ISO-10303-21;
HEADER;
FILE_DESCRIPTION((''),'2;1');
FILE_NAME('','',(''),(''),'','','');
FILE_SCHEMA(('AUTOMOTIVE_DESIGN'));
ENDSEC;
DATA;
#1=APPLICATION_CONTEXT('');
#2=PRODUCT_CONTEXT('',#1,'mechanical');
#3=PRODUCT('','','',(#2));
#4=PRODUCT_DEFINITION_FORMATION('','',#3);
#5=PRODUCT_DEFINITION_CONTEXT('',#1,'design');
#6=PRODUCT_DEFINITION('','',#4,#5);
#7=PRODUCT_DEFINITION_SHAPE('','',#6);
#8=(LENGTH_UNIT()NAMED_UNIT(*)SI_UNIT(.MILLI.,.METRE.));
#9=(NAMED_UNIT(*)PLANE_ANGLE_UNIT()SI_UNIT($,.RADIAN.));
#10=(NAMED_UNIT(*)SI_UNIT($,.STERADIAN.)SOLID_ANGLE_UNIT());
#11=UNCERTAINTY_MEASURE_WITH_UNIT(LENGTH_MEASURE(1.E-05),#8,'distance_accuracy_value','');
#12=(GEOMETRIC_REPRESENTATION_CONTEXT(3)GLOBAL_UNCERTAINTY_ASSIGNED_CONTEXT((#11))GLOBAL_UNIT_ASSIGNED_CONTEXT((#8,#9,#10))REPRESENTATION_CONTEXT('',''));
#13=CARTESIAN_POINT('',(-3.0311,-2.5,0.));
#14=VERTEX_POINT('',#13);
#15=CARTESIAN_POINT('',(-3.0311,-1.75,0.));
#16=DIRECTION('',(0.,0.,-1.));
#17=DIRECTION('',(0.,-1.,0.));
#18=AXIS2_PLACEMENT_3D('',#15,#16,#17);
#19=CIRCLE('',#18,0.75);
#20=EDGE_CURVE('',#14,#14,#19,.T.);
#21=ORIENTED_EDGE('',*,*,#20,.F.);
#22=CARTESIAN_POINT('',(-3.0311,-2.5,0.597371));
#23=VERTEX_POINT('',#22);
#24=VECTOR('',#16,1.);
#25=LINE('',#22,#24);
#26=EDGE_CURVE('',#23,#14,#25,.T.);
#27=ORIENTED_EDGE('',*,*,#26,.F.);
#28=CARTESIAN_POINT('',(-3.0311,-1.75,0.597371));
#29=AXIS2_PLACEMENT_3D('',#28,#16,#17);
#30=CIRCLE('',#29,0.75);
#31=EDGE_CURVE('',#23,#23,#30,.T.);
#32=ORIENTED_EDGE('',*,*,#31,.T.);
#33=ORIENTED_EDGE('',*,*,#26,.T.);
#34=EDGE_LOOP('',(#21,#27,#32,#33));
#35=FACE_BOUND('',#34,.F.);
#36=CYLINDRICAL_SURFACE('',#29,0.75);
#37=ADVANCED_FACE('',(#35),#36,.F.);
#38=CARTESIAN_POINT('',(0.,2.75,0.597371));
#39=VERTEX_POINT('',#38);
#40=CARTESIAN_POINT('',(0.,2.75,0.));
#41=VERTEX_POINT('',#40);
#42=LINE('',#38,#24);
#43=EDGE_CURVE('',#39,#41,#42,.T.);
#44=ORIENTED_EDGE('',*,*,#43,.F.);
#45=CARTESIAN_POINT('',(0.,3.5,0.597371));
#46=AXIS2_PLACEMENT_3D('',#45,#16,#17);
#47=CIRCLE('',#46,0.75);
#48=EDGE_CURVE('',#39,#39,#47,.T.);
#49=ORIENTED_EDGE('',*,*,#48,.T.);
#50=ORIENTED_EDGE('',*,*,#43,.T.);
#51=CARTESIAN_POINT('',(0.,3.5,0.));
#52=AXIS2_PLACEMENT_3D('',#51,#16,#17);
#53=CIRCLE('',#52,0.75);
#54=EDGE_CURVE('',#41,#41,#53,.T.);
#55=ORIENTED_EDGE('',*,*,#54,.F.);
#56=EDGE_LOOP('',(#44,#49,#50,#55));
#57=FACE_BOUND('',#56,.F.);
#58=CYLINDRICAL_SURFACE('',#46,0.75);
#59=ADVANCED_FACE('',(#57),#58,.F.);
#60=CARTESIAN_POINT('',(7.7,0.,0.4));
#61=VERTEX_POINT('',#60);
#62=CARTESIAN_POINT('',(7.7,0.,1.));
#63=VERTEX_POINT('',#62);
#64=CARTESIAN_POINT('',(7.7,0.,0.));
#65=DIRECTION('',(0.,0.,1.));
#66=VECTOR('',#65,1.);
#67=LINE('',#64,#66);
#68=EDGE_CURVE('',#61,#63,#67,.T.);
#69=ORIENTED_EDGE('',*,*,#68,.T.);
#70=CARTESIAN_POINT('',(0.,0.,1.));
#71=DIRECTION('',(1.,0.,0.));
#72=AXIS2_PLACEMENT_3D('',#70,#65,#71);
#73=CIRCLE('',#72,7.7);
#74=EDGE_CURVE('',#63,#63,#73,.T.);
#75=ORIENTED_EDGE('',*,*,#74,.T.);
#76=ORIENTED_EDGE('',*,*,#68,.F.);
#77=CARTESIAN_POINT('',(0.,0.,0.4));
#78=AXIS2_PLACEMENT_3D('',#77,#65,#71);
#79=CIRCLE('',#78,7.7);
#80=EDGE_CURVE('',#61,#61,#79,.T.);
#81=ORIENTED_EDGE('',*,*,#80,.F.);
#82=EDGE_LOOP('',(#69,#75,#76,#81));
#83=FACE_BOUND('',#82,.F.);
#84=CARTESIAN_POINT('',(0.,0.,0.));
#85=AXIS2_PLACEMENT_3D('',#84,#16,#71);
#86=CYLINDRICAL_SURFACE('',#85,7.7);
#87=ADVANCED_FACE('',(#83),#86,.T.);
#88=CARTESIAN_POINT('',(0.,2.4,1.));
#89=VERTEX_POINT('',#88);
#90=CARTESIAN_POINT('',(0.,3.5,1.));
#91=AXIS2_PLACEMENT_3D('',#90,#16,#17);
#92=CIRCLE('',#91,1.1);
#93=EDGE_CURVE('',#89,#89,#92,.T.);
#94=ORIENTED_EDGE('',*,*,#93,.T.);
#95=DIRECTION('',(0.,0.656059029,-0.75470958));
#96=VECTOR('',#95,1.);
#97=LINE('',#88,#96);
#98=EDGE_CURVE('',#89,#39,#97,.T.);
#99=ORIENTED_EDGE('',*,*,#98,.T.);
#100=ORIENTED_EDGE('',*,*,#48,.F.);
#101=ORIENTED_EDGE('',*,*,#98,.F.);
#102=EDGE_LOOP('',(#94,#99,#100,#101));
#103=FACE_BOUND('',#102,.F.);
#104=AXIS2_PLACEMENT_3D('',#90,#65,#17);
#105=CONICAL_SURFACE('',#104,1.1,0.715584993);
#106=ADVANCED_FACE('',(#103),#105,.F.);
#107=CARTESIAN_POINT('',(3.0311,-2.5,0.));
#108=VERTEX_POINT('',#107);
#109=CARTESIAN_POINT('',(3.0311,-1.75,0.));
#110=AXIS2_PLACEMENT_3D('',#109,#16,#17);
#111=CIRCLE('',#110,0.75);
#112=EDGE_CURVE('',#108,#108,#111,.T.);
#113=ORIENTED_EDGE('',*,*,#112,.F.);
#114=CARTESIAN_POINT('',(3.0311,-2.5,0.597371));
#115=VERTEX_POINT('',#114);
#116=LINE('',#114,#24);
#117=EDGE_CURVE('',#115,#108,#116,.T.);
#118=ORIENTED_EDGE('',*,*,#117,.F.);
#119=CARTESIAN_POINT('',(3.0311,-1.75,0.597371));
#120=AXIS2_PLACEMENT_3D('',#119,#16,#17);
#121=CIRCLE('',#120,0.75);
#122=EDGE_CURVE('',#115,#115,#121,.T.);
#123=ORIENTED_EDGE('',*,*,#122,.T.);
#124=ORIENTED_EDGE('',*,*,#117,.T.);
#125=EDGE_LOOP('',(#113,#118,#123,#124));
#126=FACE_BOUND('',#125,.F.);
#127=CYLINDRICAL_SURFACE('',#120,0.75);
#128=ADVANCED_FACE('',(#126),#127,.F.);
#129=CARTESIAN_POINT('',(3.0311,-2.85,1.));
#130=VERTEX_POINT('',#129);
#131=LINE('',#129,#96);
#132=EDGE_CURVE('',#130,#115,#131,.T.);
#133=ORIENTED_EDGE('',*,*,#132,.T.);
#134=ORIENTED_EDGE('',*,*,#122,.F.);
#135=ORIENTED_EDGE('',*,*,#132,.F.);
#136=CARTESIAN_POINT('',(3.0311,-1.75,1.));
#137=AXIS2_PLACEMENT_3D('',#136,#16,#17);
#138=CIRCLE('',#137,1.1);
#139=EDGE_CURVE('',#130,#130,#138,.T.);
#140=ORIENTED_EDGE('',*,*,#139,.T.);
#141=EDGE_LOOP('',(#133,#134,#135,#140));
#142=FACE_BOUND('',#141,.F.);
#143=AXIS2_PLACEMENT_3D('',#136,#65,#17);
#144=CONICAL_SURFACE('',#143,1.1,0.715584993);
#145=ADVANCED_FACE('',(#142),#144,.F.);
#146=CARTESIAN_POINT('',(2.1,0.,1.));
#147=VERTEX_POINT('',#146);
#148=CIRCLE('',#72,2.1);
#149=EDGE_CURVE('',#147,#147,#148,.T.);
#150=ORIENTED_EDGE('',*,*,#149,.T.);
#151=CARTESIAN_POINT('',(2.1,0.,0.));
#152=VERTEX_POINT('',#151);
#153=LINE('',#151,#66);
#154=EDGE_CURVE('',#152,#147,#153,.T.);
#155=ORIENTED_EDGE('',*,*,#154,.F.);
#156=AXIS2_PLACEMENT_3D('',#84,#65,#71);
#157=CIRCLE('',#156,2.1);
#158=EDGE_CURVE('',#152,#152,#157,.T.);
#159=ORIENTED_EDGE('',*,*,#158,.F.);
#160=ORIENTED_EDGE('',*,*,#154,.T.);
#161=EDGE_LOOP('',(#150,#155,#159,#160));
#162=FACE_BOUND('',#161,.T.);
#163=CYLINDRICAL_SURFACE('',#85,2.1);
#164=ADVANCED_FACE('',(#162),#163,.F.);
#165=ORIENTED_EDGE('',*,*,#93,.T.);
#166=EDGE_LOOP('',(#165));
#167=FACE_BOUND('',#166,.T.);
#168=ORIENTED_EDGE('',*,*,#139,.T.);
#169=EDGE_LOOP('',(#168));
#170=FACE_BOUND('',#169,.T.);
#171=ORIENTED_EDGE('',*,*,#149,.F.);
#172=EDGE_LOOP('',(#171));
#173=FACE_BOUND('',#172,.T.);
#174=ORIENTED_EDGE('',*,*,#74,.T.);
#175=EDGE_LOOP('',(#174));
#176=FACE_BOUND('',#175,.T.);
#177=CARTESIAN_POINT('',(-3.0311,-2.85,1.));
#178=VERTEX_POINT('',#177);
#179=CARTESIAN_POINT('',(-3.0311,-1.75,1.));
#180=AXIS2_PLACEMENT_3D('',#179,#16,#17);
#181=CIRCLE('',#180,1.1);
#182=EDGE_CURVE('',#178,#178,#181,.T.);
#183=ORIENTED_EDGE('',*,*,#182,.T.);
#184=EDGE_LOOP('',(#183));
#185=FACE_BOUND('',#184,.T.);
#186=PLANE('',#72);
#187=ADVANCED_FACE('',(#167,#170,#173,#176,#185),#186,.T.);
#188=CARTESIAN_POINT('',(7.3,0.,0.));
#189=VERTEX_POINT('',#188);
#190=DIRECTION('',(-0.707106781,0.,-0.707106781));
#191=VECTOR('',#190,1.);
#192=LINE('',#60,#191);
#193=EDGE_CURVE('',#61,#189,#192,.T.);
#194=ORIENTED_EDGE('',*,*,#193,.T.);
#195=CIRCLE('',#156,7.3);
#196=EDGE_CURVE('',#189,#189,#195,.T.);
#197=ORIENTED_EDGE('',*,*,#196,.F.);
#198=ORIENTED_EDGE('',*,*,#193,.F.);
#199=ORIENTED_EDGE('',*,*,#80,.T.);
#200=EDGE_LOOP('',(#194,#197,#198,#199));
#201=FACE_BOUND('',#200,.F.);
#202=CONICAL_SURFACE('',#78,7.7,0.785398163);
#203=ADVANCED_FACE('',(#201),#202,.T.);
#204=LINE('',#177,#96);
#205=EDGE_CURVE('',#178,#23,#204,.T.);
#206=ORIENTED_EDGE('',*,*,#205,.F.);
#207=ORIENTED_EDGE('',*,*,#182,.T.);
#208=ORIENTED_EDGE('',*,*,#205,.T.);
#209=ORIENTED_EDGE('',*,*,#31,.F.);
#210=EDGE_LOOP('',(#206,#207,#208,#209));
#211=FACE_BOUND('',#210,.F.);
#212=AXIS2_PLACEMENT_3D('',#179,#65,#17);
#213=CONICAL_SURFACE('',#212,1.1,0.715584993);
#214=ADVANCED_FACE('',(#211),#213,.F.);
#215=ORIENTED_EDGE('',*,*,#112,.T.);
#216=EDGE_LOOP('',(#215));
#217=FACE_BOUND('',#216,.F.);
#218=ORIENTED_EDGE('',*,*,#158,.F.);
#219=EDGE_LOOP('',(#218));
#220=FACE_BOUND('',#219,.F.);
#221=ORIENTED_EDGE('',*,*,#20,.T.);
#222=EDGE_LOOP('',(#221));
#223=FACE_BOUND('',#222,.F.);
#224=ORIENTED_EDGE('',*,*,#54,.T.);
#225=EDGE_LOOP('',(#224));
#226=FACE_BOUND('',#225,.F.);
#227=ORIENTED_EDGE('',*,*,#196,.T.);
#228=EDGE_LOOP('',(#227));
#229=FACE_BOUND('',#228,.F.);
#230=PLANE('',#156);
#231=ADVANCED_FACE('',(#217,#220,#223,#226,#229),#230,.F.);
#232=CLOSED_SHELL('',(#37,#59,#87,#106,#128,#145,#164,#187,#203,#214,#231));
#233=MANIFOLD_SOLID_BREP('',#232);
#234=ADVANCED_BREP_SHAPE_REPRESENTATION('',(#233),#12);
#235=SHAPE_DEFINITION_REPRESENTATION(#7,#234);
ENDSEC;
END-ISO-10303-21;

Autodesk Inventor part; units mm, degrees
ref_plane "YZ Plane" through (0, 0, 0) normal (1, 0, 0) x (0, 1, 0)
ref_plane "XZ Plane" through (0, 0, 0) normal (0, 1, 0) x (-1, 0, 0)
ref_plane "XY Plane" through (0, 0, 0) normal (0, 0, 1) x (1, 0, 0)
sketch "スケッチ1" plane through (0, 0, 0) normal (0, 0, 1) x (1, 0, 0)
  circle A0 centre (0, 0) radius 7.7
  circle A1 centre (0, 0) radius 2.1
  dimension "d0" = 4.2
  dimension "d1" = 15.4
extrude "押し出し1" add sketch "スケッチ1" along normal blind 1
chamfer "面取り1" distance 0.4 angle 45 1 edges at (-7.7, 0, 0)
sketch "スケッチ2" plane through (0, 0, 1) normal (0, 0, 1) x (1, 0, 0)
  circle A0 centre (0, 3.5) radius 0.5915 construction
  point P0 (0, 0)
  point P1 (-3.0311, -1.75)
  point P2 (3.0311, -1.75)
  dimension "d9" = 360
hole "穴1" at (0, 3.5, 1) at (-3.0311, -1.75, 1) at (3.0311, -1.75, 1) direction (0, 0, -1) diameter 1.5 end through all countersink diameter 2.2 countersink angle 82
properties part number "INNER_TIMING_PULLEY_COVER"
